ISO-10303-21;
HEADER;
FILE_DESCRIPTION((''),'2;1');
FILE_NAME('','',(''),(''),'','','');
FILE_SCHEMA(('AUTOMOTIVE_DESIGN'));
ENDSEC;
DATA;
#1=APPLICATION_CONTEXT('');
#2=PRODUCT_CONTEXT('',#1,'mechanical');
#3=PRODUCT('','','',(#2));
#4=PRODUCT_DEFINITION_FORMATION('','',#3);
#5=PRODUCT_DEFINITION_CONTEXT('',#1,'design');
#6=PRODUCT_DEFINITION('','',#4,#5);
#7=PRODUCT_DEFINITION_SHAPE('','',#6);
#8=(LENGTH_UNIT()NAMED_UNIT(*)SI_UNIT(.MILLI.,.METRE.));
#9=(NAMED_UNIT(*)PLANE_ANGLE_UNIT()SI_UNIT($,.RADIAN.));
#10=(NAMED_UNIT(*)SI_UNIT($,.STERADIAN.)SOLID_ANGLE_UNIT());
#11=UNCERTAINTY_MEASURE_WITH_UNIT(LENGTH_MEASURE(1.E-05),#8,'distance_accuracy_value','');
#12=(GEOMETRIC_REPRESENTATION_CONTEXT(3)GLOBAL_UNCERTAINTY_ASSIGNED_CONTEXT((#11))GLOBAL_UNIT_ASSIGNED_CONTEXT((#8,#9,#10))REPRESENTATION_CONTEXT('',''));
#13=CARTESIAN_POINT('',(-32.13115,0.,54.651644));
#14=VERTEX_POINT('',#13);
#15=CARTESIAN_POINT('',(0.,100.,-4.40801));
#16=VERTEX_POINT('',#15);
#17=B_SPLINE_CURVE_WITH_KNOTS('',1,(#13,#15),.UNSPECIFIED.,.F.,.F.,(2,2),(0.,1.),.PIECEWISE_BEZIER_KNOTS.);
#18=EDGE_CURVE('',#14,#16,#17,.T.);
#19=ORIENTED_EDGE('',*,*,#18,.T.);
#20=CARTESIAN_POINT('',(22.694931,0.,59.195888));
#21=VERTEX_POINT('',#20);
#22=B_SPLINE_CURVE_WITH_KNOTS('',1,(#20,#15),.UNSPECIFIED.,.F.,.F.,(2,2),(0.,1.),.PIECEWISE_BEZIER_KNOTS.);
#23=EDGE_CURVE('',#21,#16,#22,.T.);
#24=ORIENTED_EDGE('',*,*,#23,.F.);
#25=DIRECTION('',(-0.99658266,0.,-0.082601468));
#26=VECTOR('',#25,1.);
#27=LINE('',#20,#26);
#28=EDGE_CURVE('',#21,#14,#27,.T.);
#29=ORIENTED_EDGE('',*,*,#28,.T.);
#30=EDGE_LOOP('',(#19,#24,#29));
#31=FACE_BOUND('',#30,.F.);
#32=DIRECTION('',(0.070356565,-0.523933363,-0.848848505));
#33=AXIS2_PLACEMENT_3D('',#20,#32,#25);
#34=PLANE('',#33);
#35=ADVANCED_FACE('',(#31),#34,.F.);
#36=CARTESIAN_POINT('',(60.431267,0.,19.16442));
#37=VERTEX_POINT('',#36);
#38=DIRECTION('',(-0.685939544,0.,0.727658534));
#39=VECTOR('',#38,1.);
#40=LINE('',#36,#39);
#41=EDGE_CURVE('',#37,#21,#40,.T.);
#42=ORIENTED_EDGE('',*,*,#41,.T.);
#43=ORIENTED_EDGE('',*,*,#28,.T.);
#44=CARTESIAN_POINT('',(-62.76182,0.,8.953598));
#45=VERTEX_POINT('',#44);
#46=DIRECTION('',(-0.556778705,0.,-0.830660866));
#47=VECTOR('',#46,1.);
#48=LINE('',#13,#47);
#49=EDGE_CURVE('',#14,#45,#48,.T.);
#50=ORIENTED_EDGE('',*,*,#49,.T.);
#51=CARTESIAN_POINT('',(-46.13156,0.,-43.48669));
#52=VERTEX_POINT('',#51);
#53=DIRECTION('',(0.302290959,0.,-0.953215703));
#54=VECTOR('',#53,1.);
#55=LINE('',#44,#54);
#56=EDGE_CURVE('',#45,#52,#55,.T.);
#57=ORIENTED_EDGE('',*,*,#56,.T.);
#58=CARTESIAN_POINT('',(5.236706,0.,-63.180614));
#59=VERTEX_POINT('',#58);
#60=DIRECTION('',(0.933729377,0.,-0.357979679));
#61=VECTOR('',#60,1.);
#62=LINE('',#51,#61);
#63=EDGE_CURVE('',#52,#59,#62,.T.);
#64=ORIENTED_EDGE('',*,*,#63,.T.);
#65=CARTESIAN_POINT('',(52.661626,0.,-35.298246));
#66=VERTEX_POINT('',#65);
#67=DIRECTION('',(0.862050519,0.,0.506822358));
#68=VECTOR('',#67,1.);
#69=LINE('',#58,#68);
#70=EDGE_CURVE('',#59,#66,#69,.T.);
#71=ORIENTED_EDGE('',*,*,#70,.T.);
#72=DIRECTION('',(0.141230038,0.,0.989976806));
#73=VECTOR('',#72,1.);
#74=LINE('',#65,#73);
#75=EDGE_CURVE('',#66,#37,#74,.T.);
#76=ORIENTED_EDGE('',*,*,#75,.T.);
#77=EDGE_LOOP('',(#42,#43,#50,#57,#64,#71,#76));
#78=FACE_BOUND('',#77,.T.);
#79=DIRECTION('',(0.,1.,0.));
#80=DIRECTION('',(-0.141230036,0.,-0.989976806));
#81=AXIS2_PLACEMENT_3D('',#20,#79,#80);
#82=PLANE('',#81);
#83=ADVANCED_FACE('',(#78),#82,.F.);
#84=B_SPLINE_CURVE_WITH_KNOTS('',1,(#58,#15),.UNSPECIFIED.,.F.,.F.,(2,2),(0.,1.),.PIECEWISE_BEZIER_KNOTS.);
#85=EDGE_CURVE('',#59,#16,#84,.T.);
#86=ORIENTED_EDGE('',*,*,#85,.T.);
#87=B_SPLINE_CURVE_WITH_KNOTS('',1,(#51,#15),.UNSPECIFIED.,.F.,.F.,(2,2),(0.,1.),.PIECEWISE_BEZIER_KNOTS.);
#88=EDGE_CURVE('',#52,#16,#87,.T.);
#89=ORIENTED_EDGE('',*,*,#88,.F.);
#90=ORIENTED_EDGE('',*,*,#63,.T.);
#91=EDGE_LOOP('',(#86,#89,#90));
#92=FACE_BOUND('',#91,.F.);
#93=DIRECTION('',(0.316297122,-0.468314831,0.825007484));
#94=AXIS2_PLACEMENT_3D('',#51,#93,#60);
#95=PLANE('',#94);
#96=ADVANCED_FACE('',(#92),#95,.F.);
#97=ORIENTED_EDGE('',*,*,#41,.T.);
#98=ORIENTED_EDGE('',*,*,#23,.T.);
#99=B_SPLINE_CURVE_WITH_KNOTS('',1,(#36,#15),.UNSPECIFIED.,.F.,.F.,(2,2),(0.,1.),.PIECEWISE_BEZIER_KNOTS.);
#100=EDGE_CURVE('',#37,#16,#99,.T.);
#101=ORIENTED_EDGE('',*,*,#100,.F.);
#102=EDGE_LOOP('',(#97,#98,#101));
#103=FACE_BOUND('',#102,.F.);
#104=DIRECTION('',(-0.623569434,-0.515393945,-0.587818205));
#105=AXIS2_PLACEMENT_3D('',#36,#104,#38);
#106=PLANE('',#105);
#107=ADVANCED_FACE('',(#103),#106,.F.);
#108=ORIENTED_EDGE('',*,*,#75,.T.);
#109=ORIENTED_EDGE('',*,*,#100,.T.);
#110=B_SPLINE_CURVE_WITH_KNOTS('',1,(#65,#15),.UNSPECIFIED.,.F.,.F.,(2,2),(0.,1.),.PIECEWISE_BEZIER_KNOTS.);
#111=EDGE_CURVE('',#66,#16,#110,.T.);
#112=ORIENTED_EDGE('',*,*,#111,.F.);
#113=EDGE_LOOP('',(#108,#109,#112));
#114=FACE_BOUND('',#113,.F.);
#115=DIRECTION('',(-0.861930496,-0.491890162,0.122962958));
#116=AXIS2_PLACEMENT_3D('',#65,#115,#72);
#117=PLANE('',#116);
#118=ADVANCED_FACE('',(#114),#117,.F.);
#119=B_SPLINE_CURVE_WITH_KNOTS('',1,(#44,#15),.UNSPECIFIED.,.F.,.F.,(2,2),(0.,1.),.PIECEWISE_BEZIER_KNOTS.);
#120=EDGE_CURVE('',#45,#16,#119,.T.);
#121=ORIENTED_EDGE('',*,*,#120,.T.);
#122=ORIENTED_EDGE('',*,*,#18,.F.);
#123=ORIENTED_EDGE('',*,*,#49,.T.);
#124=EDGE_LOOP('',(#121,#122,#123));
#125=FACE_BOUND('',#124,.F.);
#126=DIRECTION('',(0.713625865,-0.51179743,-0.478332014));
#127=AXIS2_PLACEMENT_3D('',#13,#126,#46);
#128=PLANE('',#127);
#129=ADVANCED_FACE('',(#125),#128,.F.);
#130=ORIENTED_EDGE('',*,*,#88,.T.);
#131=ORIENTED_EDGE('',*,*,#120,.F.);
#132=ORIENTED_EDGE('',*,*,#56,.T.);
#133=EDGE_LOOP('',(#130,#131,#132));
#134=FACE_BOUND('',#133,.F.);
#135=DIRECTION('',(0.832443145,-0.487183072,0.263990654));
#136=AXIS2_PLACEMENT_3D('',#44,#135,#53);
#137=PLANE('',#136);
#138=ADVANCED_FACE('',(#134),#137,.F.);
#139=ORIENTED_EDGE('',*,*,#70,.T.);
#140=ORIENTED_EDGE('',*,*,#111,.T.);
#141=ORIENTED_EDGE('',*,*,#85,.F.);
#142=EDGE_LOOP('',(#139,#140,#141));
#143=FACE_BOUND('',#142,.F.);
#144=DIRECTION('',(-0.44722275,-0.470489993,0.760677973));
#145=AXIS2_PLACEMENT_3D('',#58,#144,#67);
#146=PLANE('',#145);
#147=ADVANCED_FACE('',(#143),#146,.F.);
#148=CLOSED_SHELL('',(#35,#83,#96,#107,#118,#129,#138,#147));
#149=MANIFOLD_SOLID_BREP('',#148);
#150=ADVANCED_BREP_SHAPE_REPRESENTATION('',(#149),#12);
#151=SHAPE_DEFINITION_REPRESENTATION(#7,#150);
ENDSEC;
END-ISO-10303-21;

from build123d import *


with BuildPart() as f3:
    # F0 (on Front) → F3 section 0
    with BuildSketch(Plane.XZ, mode=Mode.PRIVATE) as f3_s0:
        Polygon((22.694931, 59.195888), (-32.13115, 54.651644), (-62.76182, 8.953598), (-46.13156, -43.48669), (5.236706, -63.180614), (52.661626, -35.298246), (60.431267, 19.16442), align=None)
    loft([f3_s0.sketch, Vertex(0, 100, -4.40801)])


solid = f3.part
